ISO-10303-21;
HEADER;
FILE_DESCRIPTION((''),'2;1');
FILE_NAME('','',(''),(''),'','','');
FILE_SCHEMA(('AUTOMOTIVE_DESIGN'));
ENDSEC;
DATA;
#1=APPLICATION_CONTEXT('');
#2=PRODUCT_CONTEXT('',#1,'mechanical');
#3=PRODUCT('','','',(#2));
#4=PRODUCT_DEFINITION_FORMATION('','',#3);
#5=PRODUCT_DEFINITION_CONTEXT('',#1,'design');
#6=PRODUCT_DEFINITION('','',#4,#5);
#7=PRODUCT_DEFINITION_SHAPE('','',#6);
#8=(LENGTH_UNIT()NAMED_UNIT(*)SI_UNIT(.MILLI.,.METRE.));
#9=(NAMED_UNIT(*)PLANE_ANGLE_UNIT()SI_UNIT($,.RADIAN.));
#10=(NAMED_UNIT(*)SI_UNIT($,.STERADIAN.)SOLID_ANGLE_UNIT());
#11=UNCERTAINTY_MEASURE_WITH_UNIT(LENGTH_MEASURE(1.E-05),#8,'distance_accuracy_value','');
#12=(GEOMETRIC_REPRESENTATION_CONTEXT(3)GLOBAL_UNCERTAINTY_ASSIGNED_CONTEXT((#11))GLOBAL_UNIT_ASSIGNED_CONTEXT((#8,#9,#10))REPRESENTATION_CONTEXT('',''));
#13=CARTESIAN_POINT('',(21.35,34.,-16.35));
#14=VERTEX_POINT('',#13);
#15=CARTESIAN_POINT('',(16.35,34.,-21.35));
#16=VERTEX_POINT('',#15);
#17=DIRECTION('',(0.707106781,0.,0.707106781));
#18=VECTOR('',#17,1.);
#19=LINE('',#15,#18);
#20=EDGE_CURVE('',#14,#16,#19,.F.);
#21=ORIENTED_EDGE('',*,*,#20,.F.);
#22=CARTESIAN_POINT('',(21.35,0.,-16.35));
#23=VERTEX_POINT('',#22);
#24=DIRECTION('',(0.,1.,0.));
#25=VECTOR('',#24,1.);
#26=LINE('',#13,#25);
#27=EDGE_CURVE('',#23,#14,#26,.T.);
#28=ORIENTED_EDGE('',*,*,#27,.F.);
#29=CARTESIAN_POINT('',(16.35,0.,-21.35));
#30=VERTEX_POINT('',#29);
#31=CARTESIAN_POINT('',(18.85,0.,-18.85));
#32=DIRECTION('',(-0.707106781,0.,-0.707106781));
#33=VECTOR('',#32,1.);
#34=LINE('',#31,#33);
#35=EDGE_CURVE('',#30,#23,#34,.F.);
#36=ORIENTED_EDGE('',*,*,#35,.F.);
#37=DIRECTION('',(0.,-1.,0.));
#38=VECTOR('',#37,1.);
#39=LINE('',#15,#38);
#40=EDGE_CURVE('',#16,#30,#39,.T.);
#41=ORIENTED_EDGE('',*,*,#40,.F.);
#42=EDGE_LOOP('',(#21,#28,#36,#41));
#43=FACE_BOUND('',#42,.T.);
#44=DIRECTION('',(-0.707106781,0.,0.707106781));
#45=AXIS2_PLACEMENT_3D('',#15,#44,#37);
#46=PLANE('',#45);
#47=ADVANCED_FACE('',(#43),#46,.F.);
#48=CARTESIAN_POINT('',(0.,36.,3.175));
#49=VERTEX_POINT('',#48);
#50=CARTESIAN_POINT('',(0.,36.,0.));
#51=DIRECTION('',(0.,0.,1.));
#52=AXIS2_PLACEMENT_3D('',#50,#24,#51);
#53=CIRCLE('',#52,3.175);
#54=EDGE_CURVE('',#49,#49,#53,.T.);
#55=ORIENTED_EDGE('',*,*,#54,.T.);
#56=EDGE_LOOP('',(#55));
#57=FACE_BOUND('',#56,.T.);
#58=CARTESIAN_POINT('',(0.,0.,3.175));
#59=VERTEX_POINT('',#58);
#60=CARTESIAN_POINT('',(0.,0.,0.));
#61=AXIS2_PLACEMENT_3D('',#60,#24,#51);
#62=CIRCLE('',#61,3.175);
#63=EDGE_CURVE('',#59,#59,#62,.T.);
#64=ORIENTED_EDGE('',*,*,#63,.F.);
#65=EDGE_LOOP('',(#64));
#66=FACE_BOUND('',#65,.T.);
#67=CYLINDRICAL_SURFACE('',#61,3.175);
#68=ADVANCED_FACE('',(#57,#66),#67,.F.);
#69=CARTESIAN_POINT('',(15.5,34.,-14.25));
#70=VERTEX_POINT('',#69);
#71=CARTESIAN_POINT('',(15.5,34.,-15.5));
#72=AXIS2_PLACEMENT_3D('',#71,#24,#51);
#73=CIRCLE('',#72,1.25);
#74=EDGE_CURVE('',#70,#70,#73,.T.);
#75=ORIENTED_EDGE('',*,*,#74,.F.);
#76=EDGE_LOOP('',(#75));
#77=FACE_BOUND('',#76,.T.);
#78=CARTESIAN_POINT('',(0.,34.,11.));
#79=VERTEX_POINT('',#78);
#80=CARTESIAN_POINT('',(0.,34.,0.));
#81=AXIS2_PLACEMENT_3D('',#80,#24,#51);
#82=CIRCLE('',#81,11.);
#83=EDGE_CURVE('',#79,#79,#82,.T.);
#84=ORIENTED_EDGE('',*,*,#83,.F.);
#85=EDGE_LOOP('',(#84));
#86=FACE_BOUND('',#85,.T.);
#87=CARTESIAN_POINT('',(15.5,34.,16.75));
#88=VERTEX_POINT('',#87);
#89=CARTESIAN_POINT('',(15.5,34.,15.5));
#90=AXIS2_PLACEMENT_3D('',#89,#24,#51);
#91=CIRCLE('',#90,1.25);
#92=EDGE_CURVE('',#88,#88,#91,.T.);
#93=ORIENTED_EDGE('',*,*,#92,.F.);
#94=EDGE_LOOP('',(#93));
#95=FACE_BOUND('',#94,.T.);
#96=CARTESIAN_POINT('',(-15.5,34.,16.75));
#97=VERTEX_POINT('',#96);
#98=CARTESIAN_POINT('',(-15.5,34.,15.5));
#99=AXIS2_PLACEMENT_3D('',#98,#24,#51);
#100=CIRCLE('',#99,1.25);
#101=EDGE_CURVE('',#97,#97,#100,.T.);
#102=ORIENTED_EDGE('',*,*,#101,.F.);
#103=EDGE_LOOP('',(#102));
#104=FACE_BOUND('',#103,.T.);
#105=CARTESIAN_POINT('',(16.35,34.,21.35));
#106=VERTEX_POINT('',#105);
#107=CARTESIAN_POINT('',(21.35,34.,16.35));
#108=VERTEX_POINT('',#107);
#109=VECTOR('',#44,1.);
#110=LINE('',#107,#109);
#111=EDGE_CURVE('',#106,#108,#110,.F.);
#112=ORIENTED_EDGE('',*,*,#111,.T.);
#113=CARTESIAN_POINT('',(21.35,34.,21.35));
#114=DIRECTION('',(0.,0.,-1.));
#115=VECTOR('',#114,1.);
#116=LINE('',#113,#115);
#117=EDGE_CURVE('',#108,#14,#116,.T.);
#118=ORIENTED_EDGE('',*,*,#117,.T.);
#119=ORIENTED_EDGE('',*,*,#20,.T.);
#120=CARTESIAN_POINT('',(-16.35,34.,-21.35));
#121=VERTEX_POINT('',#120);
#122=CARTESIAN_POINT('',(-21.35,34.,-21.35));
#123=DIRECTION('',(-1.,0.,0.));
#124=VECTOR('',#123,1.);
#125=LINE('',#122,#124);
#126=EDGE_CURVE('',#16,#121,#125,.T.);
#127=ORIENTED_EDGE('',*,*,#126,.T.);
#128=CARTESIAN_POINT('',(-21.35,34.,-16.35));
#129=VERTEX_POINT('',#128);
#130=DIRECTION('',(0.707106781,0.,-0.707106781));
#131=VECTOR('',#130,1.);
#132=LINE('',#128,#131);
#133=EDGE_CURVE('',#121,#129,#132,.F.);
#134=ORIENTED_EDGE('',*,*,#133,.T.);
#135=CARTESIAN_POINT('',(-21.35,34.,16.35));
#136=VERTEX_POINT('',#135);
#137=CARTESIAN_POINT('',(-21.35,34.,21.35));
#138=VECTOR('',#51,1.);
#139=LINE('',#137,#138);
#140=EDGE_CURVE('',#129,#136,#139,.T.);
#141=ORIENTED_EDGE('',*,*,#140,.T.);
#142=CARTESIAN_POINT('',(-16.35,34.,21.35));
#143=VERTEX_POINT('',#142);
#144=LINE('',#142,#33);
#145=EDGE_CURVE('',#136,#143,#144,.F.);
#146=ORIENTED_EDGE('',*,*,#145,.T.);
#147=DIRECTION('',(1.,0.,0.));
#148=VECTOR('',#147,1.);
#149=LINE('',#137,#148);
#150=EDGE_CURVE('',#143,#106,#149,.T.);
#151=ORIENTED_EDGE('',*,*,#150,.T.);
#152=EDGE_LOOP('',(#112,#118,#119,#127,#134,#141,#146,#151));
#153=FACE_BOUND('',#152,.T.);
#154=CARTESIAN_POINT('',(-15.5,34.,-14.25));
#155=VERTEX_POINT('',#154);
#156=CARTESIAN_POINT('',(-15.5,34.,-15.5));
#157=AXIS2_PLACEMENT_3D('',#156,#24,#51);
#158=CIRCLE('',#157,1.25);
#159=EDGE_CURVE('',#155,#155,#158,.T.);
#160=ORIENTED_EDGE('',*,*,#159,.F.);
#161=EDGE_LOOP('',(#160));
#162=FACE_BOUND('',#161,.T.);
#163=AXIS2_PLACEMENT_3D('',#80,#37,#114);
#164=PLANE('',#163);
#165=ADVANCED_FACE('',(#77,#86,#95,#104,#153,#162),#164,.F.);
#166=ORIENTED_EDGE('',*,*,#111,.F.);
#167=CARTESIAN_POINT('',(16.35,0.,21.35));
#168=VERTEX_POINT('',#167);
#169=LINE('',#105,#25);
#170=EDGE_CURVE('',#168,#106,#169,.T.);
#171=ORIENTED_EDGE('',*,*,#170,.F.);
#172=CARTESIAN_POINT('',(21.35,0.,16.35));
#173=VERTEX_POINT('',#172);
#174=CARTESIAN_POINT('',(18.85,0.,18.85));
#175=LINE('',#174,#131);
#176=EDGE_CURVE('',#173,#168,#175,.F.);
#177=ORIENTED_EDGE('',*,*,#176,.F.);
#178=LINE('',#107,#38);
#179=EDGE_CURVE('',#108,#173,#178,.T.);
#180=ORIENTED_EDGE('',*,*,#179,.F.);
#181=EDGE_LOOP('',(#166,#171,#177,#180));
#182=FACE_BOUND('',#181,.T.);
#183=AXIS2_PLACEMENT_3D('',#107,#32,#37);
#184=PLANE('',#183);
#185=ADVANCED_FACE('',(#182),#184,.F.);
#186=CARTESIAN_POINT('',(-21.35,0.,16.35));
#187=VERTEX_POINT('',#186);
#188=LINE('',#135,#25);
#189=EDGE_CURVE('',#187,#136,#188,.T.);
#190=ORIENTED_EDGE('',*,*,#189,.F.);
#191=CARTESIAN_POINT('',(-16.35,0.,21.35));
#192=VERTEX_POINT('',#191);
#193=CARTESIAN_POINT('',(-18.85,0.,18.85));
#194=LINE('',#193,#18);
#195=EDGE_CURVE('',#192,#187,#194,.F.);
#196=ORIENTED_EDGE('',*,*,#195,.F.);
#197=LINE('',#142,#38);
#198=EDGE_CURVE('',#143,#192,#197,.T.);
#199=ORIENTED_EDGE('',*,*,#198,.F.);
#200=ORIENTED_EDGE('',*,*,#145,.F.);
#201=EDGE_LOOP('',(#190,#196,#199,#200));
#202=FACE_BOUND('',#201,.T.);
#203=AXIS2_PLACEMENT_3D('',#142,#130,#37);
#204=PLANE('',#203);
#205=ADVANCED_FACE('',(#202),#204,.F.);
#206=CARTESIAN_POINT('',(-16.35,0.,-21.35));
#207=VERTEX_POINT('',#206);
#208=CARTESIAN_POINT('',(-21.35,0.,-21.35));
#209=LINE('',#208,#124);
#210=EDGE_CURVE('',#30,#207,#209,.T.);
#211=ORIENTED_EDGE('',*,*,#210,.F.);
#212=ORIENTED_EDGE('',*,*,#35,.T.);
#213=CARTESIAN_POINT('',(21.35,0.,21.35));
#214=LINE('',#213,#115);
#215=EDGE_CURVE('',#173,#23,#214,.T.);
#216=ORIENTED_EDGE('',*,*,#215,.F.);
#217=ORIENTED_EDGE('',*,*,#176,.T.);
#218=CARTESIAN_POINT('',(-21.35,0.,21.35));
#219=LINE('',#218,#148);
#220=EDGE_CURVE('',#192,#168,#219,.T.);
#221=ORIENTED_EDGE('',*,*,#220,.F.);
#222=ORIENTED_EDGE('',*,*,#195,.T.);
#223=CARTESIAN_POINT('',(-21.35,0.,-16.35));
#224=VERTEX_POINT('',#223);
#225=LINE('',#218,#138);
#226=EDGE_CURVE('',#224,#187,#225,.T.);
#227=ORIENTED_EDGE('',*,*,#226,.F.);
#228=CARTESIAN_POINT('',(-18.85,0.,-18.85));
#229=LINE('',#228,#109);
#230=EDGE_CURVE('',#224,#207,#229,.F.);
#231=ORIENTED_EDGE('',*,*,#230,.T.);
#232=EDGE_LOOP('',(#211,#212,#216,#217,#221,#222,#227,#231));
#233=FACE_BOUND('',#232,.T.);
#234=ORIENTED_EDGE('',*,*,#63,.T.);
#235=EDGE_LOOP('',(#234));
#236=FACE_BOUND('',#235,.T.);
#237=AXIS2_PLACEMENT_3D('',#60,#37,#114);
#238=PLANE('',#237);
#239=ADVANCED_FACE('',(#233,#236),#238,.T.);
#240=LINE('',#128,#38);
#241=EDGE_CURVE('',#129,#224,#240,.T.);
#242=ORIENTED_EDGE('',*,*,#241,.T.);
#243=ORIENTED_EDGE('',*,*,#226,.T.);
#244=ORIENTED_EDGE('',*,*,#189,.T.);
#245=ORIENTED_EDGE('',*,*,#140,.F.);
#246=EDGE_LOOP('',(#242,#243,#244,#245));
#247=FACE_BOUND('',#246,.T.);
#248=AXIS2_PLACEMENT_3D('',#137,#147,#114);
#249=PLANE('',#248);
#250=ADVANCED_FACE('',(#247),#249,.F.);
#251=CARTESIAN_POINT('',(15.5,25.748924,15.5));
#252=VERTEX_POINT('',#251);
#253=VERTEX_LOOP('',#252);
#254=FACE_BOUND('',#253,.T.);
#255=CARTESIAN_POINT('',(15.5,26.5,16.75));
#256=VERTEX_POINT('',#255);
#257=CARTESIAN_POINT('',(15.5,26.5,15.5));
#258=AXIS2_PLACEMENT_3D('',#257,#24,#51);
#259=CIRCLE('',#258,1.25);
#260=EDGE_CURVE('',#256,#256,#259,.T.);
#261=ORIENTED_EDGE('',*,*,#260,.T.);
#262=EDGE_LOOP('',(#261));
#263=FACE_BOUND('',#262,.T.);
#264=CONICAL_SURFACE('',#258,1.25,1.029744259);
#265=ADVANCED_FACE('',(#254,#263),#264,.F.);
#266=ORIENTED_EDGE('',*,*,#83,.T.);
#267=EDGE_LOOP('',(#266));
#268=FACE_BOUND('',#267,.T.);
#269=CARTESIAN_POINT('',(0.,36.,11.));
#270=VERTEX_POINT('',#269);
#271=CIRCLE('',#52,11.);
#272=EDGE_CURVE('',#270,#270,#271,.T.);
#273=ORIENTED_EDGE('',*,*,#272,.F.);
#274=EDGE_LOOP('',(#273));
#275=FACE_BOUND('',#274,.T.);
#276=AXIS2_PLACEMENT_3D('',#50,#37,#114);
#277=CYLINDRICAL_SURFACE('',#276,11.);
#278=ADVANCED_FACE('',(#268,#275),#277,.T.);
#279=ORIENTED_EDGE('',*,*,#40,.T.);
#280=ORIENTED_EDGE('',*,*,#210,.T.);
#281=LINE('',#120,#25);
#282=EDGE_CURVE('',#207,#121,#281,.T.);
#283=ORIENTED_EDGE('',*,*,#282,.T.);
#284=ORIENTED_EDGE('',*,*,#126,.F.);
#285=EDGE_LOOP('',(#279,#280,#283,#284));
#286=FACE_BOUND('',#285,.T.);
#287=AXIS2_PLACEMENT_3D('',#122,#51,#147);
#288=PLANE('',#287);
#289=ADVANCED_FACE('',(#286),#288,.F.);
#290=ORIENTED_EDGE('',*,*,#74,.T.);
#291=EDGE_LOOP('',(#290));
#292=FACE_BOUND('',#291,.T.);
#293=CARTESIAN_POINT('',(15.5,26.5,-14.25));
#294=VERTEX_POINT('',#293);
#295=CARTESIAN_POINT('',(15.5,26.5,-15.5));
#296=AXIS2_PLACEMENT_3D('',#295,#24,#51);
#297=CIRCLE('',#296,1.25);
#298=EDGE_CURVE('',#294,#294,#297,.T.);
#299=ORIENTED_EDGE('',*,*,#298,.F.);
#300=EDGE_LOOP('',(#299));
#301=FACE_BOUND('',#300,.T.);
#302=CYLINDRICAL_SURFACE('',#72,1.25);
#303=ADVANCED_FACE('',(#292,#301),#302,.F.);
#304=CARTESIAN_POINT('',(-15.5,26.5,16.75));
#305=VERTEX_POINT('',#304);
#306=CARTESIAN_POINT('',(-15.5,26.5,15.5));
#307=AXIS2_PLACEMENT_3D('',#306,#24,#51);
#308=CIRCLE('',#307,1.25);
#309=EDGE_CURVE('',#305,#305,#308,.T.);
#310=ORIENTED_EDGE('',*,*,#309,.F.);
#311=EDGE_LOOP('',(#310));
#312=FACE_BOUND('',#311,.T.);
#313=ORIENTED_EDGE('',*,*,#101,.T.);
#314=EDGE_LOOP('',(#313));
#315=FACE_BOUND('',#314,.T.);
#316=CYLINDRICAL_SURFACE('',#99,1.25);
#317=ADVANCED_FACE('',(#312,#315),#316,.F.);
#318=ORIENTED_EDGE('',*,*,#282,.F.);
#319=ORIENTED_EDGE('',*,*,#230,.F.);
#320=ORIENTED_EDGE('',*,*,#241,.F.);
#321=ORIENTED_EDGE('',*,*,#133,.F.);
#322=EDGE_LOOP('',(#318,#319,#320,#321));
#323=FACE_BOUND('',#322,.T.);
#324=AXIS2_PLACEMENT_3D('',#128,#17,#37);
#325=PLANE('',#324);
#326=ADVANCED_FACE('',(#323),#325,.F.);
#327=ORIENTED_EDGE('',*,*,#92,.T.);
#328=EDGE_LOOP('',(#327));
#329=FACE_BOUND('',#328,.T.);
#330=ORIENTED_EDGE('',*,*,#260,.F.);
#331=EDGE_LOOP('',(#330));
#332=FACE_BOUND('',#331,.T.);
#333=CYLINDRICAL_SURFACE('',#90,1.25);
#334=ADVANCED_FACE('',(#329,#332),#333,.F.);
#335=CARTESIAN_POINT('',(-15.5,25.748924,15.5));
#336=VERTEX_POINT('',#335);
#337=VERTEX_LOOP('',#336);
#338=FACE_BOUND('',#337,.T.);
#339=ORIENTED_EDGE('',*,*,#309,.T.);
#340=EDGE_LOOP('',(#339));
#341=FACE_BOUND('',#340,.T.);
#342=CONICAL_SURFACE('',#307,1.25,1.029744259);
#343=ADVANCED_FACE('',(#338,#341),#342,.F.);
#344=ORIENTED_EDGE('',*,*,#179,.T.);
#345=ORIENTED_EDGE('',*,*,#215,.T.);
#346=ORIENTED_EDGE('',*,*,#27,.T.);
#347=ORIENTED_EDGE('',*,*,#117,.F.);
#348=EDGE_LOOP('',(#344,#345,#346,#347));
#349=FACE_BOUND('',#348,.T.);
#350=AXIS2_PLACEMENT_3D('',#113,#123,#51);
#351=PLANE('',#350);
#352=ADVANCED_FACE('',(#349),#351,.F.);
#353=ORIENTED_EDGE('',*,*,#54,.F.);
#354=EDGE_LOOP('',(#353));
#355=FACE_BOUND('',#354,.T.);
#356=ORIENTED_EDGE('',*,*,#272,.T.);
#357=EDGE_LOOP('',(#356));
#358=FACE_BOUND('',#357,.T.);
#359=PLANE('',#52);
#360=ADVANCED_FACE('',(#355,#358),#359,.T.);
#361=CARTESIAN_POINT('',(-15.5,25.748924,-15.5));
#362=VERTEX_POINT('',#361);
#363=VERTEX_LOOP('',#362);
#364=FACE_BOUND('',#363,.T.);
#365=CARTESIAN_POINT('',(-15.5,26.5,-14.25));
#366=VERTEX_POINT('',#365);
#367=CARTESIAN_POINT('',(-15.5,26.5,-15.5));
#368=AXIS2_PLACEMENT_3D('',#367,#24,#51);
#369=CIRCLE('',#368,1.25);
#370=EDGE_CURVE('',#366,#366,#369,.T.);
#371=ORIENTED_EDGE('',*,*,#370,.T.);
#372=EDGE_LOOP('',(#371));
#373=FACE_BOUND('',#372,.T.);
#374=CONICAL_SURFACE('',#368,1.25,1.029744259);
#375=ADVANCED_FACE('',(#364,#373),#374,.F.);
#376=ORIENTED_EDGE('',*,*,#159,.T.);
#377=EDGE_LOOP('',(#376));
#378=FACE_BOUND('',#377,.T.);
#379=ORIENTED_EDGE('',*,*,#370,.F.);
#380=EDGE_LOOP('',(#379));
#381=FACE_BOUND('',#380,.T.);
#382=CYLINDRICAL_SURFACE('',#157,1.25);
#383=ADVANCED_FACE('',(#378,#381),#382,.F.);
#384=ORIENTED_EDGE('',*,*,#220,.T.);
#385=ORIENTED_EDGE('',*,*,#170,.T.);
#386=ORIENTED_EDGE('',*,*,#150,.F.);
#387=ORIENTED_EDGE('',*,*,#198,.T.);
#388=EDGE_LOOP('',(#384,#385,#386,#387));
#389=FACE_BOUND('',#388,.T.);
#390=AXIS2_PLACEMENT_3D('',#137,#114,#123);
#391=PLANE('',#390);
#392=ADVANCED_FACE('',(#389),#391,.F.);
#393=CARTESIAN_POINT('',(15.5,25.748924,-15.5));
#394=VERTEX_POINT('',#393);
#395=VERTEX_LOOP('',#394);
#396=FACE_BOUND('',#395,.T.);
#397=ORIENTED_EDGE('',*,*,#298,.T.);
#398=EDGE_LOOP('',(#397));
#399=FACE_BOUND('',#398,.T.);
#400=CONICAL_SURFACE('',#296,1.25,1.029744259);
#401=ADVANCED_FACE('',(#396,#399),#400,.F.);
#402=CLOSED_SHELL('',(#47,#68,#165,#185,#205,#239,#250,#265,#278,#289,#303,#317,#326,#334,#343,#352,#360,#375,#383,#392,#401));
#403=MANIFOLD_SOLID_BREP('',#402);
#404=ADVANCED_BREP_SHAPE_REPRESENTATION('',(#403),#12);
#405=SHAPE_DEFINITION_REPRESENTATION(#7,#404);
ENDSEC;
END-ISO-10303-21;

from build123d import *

# Parameters (mm, degrees)
SKETCH1_W             = 42.7
SKETCH1_H             = 42.7
BOSS_EXTRUDE1_DEPTH   = 34
SKETCH2_R             = 11
BOSS_EXTRUDE2_DEPTH   = 2
SKETCH3_R             = 3.175
CUT_EXTRUDE1_DEPTH    = 47.985582895
M3_TAPPED_HOLE1_D     = 2.5
M3_TAPPED_HOLE1_DEPTH = 7.5
M3_TAPPED_HOLE1_TIP   = 0.751075774
CHAMFER1_SIZE         = 5


with BuildPart() as part:
    # Sketch1 → Boss-Extrude1 (new body)
    with BuildSketch(Plane(origin=(0, 0, 0), x_dir=(1, 0, 0), z_dir=(0, 1, 0))):
        Rectangle(SKETCH1_W, SKETCH1_H)
    extrude(amount=BOSS_EXTRUDE1_DEPTH)

    # Sketch2 → Boss-Extrude2 (add)
    with BuildSketch(Plane(origin=(0, 34, 0), x_dir=(1, 0, 0), z_dir=(0, 1, 0))):
        with Locations(Location((0, 0, 0), (0, 0, 270))):
            Circle(SKETCH2_R)
    extrude(amount=BOSS_EXTRUDE2_DEPTH)

    # Sketch3 → Cut-Extrude1 (cut, through all)
    with BuildSketch(Plane(origin=(0, 36, 0), x_dir=(1, 0, 0), z_dir=(0, 1, 0))):
        with Locations(Location((0, 0, 0), (0, 0, 270))):
            Circle(SKETCH3_R)
    extrude(amount=-CUT_EXTRUDE1_DEPTH, mode=Mode.SUBTRACT)

    # M3 Tapped Hole1
    with Locations(Plane(origin=(0, 34, 0), x_dir=(1, 0, 0), z_dir=(0, 1, 0))):
        with Locations((15.5, 15.5), (-15.5, -15.5), (-15.5, 15.5), (15.5, -15.5)):
            Hole(M3_TAPPED_HOLE1_D / 2, depth=M3_TAPPED_HOLE1_DEPTH)
            with Locations((0, 0, -(M3_TAPPED_HOLE1_DEPTH + M3_TAPPED_HOLE1_TIP / 2))):  # 118° drill point
                Cone(0, M3_TAPPED_HOLE1_D / 2, M3_TAPPED_HOLE1_TIP, mode=Mode.SUBTRACT)

    # Chamfer1
    chamfer1_edges = [part.edges().sort_by_distance(p)[0] for p in [
        (21.35, 17, 21.35),
        (-21.35, 17, 21.35),
        (-21.35, 17, -21.35),
        (21.35, 17, -21.35),
    ]]
    chamfer(chamfer1_edges, length=CHAMFER1_SIZE)


solid = part.part
